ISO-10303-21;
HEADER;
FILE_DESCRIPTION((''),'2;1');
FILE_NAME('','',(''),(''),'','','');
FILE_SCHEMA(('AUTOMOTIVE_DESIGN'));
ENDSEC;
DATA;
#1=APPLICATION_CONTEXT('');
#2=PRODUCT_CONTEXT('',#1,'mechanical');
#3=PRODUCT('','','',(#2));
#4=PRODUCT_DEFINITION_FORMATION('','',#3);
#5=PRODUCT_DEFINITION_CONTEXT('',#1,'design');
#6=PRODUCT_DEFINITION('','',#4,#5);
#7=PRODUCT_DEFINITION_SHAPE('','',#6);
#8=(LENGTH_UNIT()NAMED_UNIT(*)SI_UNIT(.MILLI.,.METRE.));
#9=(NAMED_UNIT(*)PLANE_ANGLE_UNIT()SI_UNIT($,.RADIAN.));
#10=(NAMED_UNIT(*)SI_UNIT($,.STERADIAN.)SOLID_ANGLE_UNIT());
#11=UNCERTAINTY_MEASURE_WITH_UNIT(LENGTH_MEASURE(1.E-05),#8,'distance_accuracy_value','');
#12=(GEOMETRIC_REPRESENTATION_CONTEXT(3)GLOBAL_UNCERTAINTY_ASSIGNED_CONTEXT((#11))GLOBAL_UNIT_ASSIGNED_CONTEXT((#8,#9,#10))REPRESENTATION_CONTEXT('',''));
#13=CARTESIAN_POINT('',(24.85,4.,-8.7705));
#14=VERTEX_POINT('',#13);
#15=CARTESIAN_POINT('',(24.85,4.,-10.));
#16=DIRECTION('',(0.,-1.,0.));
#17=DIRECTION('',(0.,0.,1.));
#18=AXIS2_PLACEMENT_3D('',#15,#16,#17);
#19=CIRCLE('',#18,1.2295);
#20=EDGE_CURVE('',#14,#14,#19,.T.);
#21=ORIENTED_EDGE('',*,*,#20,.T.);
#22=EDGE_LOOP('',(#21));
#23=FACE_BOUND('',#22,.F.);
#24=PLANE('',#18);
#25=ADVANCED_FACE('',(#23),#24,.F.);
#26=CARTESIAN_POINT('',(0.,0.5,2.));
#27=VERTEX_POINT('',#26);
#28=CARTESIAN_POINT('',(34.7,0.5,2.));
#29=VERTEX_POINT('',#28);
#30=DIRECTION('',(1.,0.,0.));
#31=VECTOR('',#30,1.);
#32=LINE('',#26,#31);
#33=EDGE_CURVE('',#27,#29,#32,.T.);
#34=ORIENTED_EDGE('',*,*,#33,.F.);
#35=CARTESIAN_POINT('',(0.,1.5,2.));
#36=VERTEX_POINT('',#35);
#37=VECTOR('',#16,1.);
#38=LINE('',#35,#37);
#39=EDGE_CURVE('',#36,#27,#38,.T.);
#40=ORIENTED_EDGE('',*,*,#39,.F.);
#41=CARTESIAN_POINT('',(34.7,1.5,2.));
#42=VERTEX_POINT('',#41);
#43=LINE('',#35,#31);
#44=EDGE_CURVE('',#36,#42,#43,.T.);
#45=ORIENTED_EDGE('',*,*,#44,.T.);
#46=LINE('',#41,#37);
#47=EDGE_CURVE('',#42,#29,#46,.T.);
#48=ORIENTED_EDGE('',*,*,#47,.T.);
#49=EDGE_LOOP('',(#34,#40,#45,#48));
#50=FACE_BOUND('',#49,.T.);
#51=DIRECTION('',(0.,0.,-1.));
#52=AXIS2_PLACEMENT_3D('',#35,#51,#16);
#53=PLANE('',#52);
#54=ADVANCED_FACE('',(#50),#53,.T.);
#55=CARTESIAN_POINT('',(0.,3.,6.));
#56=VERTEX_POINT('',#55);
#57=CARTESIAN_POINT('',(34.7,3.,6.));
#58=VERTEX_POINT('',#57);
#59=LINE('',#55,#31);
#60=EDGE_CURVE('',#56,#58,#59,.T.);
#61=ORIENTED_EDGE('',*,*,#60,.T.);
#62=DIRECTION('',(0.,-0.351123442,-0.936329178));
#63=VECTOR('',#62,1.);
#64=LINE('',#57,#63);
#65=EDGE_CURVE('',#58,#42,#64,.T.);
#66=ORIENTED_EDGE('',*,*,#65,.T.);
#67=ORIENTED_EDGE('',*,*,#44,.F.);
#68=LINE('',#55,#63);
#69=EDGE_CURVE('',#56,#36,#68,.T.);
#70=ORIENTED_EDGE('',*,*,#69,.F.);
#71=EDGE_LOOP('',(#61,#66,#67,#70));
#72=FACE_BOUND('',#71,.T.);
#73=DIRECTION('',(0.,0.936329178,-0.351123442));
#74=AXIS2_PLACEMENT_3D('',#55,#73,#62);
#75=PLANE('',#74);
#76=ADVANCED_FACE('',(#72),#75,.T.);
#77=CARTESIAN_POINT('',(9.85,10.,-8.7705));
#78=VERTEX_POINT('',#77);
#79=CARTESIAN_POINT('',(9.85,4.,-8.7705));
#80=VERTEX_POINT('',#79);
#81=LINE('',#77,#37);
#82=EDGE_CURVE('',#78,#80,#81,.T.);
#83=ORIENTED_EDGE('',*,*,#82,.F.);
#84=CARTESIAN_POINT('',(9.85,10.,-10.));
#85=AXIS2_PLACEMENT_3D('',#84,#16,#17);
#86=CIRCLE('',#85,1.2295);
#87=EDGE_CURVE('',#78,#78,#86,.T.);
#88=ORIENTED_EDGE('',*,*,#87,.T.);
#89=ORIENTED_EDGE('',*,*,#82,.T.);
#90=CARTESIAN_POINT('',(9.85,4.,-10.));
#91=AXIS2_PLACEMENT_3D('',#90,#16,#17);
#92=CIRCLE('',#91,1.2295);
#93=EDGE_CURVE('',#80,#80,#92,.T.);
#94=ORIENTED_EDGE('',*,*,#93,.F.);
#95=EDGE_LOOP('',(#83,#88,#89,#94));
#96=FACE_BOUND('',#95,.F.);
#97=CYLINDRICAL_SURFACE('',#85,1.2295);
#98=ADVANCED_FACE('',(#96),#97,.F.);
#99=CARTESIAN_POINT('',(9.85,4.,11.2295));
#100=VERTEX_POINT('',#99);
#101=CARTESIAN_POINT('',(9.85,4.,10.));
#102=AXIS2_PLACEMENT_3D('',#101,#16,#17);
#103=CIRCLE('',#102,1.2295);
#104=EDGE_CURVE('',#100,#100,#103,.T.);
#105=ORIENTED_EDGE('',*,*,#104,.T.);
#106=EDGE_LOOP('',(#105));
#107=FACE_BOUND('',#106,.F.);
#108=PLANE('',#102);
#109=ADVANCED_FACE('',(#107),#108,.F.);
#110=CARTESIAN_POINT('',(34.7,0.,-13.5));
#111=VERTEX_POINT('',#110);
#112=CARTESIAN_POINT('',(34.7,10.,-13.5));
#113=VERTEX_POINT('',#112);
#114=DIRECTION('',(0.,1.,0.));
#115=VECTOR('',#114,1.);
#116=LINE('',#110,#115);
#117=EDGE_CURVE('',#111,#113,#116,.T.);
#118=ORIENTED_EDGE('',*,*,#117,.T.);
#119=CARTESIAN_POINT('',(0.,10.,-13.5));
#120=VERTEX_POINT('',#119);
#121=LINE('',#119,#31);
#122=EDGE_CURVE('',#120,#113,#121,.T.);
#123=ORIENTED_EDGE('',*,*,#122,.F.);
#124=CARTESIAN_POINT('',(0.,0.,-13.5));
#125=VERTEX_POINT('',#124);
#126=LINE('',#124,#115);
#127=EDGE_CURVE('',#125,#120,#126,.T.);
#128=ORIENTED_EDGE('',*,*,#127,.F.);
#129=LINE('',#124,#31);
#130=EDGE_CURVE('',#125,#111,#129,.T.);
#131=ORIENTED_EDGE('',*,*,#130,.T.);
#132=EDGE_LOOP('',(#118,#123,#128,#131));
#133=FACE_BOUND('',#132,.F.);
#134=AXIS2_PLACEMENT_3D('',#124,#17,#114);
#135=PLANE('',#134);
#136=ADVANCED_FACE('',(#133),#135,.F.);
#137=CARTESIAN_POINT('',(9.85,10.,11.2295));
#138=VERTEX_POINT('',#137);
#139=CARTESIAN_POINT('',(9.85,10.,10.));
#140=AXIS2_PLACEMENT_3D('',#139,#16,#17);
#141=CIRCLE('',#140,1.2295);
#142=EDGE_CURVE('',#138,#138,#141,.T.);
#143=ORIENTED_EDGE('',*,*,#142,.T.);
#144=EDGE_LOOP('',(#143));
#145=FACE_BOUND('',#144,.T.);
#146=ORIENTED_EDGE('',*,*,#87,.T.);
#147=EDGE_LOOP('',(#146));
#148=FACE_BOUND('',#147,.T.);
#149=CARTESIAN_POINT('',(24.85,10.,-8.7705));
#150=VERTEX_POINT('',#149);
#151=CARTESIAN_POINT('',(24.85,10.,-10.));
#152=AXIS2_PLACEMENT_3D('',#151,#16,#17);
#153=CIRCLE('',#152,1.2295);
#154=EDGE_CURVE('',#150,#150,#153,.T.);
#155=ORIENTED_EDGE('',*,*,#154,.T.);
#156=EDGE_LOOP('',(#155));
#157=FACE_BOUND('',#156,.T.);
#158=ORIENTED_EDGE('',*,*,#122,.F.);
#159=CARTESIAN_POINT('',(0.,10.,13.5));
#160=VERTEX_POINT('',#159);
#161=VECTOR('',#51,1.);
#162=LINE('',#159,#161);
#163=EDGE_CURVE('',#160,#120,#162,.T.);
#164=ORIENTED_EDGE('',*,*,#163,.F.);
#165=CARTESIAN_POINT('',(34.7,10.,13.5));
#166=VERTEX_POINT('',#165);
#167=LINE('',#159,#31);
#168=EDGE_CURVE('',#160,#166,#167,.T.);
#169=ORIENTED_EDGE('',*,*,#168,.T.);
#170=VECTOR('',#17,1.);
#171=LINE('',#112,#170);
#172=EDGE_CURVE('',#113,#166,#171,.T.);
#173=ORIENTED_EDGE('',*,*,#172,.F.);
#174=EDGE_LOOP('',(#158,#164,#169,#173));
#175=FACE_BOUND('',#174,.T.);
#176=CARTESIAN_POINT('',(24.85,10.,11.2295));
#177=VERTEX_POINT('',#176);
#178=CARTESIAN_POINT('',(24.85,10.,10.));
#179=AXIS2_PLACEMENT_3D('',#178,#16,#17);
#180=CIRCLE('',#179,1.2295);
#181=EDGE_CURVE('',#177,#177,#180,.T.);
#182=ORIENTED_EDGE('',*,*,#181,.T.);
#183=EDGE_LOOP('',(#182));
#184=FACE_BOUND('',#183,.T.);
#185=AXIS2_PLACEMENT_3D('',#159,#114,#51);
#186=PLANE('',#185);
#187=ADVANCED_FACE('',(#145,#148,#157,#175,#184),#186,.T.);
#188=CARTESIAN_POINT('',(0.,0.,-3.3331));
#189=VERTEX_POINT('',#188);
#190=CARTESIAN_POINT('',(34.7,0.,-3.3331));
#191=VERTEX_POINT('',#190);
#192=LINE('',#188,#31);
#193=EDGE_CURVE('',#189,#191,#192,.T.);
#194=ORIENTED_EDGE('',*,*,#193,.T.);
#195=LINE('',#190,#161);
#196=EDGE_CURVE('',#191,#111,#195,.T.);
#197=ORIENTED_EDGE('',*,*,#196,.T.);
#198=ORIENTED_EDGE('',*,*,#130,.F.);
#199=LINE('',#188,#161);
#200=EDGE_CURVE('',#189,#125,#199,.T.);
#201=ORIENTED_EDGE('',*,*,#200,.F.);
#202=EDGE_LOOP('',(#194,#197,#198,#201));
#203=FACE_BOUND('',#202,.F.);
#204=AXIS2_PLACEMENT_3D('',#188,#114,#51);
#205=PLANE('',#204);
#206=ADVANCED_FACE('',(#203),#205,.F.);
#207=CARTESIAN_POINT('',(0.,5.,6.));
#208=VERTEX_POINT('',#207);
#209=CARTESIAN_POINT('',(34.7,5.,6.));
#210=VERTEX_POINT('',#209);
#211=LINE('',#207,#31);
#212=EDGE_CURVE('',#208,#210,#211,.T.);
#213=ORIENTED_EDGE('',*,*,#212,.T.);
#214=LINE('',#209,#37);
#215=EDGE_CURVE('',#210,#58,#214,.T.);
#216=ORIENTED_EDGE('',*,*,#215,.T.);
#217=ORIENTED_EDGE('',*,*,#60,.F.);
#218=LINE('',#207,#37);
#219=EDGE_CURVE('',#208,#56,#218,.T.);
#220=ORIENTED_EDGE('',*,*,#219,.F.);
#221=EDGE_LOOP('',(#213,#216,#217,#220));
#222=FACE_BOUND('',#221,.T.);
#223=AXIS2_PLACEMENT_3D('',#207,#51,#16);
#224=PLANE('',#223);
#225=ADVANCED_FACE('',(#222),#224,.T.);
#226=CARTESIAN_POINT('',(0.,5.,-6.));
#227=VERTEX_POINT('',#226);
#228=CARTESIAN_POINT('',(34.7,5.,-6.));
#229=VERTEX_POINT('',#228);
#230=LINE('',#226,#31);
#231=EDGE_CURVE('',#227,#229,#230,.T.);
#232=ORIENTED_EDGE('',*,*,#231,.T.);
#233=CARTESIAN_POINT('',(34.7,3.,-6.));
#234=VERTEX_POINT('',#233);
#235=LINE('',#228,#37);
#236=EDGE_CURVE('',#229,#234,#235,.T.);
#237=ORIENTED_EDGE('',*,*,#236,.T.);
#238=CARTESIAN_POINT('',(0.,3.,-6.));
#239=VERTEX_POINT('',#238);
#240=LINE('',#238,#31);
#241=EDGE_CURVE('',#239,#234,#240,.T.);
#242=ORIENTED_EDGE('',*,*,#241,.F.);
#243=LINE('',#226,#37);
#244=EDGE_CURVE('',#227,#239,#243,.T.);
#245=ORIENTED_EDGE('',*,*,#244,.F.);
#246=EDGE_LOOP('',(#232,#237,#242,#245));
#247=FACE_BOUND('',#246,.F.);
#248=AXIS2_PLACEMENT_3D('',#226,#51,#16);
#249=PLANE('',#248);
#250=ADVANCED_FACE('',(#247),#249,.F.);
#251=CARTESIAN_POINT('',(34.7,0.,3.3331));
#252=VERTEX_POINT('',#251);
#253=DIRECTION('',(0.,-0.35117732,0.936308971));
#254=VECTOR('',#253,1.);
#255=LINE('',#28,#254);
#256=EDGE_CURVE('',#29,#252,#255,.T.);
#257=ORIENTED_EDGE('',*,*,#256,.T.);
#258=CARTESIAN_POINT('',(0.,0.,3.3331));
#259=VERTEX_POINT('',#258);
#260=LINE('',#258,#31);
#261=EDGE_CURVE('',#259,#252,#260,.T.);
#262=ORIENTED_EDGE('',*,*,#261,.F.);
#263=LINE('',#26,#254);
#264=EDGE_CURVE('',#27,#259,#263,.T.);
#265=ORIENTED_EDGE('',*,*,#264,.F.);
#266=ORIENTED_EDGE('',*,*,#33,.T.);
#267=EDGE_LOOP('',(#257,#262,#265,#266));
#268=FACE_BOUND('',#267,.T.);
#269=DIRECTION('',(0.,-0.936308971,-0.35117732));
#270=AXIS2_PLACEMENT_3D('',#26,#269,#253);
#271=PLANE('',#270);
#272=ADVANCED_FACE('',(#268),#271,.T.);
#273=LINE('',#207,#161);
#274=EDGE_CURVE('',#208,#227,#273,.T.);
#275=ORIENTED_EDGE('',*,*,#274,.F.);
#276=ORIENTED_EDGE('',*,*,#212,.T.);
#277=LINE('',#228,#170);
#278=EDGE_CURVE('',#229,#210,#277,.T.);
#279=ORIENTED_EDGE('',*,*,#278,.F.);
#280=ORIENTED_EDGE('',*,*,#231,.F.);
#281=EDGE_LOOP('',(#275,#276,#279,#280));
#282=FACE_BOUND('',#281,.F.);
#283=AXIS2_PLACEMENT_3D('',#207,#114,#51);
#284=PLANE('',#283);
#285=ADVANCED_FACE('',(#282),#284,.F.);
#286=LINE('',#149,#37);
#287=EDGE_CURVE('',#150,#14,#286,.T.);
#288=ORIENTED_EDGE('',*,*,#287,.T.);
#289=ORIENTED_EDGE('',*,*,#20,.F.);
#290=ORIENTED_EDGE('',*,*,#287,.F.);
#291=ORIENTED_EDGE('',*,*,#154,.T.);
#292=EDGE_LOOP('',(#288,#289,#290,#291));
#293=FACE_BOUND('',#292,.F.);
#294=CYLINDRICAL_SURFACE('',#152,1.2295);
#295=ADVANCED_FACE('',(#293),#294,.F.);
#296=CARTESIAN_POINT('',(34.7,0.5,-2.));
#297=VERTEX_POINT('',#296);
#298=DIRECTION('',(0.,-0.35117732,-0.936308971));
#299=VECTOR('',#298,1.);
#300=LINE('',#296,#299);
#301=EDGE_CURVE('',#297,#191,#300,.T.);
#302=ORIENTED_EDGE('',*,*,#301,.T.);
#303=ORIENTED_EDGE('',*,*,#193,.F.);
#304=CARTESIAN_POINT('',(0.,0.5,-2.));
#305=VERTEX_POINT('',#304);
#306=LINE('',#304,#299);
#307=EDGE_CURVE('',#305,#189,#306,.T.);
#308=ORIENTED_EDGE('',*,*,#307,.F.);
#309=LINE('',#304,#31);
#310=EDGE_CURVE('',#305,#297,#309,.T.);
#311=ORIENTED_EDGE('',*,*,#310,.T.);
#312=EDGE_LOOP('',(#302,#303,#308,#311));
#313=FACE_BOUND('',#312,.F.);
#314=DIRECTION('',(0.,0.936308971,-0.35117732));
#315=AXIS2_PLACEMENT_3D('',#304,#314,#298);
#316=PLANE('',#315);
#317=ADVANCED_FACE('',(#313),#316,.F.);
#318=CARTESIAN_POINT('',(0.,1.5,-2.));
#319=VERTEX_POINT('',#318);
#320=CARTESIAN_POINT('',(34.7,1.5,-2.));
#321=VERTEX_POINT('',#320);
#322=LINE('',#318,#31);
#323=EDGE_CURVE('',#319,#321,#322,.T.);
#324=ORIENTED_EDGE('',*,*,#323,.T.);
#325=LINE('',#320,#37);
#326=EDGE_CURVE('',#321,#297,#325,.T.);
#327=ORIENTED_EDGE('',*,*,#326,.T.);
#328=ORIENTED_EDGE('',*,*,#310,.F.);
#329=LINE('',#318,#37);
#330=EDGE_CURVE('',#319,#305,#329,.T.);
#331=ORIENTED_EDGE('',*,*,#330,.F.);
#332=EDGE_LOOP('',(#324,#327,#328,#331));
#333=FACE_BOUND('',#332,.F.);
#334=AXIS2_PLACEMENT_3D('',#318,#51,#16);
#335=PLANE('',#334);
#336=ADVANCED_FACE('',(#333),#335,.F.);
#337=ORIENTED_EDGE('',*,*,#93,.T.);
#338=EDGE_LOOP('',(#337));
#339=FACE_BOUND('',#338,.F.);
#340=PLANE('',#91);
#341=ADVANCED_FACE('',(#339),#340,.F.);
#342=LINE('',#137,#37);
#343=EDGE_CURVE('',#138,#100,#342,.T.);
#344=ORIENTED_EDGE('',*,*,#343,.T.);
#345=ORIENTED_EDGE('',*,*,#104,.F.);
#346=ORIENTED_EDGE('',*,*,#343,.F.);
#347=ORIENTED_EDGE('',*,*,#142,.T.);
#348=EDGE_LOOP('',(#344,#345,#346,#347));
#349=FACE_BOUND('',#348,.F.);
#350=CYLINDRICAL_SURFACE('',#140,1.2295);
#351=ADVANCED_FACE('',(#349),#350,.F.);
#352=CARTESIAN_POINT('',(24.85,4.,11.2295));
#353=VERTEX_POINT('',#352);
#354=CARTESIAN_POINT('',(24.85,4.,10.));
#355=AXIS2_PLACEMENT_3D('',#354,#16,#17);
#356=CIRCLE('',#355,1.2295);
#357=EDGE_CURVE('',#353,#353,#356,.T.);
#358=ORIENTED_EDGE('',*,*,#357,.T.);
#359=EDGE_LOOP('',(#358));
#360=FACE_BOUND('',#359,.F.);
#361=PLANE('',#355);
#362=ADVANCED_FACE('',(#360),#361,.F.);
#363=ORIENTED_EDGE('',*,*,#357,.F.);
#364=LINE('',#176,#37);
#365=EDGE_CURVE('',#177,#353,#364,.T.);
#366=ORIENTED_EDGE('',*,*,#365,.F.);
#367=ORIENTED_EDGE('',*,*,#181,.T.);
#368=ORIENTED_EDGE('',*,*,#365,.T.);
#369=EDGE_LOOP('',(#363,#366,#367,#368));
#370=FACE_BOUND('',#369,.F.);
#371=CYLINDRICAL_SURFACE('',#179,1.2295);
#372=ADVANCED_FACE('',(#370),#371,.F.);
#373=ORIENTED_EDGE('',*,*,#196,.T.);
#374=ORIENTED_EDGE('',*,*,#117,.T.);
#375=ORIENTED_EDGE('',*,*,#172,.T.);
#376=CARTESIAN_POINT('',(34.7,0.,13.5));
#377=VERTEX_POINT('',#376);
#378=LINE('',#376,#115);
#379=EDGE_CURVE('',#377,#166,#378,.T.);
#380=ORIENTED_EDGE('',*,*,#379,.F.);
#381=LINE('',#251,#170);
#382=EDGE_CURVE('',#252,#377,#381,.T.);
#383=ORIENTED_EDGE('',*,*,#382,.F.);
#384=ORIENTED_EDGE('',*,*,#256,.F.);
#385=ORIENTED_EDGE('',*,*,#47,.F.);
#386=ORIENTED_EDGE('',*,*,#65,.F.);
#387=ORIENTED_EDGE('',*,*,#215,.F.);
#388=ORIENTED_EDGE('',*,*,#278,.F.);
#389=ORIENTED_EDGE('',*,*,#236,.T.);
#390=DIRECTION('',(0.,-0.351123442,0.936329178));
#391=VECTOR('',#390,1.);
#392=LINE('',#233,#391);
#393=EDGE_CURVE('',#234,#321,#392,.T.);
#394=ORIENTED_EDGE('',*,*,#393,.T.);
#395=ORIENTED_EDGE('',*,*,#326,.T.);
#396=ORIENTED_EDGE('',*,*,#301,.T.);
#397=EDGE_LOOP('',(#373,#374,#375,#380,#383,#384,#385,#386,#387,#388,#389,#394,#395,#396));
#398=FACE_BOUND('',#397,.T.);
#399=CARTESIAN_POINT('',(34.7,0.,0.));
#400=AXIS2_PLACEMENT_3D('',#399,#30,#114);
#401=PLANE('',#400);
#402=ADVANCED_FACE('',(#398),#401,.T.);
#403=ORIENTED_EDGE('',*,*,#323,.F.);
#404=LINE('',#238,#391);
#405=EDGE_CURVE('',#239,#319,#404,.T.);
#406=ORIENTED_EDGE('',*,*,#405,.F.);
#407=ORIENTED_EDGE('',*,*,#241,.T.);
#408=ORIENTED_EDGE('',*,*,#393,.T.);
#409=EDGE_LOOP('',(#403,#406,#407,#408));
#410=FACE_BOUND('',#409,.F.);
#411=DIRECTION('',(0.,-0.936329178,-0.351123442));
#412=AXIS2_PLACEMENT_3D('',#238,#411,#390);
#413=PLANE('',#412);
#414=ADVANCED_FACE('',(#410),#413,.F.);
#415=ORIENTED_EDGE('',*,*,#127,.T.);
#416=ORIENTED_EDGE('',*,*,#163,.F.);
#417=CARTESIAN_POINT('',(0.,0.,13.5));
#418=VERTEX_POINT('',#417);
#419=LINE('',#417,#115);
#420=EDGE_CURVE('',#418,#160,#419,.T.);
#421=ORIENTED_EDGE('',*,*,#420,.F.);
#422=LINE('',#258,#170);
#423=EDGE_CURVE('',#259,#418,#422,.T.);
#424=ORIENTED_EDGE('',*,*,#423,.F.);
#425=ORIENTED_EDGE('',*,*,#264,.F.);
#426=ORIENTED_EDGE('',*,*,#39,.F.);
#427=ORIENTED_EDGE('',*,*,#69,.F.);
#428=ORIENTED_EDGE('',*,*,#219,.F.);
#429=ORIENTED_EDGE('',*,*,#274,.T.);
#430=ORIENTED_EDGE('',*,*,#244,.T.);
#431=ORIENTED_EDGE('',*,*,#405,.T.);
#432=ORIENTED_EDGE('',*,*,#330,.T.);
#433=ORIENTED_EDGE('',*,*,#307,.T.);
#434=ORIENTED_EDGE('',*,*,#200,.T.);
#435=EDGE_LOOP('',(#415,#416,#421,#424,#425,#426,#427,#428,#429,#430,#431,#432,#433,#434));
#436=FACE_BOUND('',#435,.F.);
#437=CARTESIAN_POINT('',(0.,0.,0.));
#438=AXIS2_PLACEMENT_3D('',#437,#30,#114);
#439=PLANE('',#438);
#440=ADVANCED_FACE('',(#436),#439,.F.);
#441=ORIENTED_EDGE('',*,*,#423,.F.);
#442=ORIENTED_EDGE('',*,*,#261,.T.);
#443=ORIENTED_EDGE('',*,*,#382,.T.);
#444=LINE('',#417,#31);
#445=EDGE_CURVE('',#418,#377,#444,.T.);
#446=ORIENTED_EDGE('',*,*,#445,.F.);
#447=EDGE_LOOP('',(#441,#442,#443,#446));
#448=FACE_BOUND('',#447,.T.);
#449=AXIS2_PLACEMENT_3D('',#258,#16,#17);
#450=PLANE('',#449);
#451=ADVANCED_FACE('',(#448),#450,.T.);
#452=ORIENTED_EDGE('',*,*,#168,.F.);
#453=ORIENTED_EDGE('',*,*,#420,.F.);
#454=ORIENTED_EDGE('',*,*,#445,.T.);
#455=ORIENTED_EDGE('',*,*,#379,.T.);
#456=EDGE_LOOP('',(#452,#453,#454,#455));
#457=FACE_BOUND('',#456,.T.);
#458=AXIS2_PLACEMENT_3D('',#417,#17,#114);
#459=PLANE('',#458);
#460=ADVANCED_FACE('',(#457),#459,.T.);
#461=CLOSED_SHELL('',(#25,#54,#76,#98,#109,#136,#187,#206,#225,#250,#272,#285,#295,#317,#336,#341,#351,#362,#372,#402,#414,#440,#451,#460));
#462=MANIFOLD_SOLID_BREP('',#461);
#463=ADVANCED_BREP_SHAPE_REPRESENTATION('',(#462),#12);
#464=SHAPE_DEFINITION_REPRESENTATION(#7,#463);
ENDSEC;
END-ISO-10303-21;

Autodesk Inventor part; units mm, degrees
ref_plane "YZ Plane" through (0, 0, 0) normal (1, 0, 0) x (0, 1, 0)
ref_plane "XZ Plane" through (0, 0, 0) normal (0, 1, 0) x (-1, 0, 0)
ref_plane "XY Plane" through (0, 0, 0) normal (0, 0, 1) x (1, 0, 0)
sketch "Sketch1" plane through (0, 0, 0) normal (1, 0, 0) x (0, 1, 0)
  line L0 (5, 6) -> (3, 6)
  line L1 (3, 6) -> (1.5, 2)
  line L2 (1.5, 2) -> (0.5, 2)
  line L3 (0, 13.5) -> (10, 13.5)
  line L4 (10, 13.5) -> (10, 0)
  line L5 (5, 6) -> (5, 0)
  line L6 (10, 0) -> (-5, 0) construction
  line L7 (1.5, -2) -> (0.5, -2)
  line L8 (0.5, 2) -> (0, 3.3331)
  line L9 (0, 3.3331) -> (0, 13.5)
  line L10 (5, -6) -> (3, -6)
  line L11 (3, -6) -> (1.5, -2)
  line L12 (1.5, -2) -> (0.5, -2)
  line L13 (0, -13.5) -> (10, -13.5)
  line L14 (10, -13.5) -> (10, 0)
  line L15 (5, -6) -> (5, 0)
  line L16 (0.5, -2) -> (0, -3.3331)
  line L17 (0, -3.3331) -> (0, -13.5)
  point P0 (0, 0)
  point P1 (4, 6)
  point P2 (5, 13.5)
  point P3 (1, 2)
  point P4 (4, -6)
  dimension "d11" = 2
  dimension "d19" = 10
  dimension "d20" = 13.5
  dimension "d21" = 5
  dimension "d23" = 6
  dimension "d38" = 1
  dimension "d39" = 4
  dimension "d40" = 2
  dimension "d41" = 110.56
extrude "Extrusion1" add sketch "Sketch1" along normal blind 34.7
sketch "Sketch2" plane through (0, 10, 13.5) normal (0, 1, 0) x (1, 0, 0)
  line L0 (0, 27) -> (0, 0) projected
  line L1 (0, 0) -> (34.7, 0) projected
  line L2 (34.7, 27) -> (34.7, 0) projected
  line L3 (0, 27) -> (34.7, 27) projected
  line L4 (9.85, 3.5) -> (9.85, 23.5) construction
  line L5 (9.85, 23.5) -> (24.85, 23.5) construction
  point P0 (0, 13.5)
  point P1 (24.85, 3.5)
  point P2 (9.85, 13.5)
  point P3 (0, 13.5)
  point P4 (17.35, 23.5)
  point P5 (17.35, 27)
  dimension "d29" = 15
  dimension "d30" = 20
hole "Hole1" at (9.85, 10, 10) at (9.85, 10, -10) at (24.85, 10, -10) at (24.85, 10, 10) direction (0, -1, 0) diameter 2.459 depth 6 thread size "M3x0.5" class "6H" standard "ISO Metric profile"
properties part number "lm_guide_cart" material "Stainless Steel"
